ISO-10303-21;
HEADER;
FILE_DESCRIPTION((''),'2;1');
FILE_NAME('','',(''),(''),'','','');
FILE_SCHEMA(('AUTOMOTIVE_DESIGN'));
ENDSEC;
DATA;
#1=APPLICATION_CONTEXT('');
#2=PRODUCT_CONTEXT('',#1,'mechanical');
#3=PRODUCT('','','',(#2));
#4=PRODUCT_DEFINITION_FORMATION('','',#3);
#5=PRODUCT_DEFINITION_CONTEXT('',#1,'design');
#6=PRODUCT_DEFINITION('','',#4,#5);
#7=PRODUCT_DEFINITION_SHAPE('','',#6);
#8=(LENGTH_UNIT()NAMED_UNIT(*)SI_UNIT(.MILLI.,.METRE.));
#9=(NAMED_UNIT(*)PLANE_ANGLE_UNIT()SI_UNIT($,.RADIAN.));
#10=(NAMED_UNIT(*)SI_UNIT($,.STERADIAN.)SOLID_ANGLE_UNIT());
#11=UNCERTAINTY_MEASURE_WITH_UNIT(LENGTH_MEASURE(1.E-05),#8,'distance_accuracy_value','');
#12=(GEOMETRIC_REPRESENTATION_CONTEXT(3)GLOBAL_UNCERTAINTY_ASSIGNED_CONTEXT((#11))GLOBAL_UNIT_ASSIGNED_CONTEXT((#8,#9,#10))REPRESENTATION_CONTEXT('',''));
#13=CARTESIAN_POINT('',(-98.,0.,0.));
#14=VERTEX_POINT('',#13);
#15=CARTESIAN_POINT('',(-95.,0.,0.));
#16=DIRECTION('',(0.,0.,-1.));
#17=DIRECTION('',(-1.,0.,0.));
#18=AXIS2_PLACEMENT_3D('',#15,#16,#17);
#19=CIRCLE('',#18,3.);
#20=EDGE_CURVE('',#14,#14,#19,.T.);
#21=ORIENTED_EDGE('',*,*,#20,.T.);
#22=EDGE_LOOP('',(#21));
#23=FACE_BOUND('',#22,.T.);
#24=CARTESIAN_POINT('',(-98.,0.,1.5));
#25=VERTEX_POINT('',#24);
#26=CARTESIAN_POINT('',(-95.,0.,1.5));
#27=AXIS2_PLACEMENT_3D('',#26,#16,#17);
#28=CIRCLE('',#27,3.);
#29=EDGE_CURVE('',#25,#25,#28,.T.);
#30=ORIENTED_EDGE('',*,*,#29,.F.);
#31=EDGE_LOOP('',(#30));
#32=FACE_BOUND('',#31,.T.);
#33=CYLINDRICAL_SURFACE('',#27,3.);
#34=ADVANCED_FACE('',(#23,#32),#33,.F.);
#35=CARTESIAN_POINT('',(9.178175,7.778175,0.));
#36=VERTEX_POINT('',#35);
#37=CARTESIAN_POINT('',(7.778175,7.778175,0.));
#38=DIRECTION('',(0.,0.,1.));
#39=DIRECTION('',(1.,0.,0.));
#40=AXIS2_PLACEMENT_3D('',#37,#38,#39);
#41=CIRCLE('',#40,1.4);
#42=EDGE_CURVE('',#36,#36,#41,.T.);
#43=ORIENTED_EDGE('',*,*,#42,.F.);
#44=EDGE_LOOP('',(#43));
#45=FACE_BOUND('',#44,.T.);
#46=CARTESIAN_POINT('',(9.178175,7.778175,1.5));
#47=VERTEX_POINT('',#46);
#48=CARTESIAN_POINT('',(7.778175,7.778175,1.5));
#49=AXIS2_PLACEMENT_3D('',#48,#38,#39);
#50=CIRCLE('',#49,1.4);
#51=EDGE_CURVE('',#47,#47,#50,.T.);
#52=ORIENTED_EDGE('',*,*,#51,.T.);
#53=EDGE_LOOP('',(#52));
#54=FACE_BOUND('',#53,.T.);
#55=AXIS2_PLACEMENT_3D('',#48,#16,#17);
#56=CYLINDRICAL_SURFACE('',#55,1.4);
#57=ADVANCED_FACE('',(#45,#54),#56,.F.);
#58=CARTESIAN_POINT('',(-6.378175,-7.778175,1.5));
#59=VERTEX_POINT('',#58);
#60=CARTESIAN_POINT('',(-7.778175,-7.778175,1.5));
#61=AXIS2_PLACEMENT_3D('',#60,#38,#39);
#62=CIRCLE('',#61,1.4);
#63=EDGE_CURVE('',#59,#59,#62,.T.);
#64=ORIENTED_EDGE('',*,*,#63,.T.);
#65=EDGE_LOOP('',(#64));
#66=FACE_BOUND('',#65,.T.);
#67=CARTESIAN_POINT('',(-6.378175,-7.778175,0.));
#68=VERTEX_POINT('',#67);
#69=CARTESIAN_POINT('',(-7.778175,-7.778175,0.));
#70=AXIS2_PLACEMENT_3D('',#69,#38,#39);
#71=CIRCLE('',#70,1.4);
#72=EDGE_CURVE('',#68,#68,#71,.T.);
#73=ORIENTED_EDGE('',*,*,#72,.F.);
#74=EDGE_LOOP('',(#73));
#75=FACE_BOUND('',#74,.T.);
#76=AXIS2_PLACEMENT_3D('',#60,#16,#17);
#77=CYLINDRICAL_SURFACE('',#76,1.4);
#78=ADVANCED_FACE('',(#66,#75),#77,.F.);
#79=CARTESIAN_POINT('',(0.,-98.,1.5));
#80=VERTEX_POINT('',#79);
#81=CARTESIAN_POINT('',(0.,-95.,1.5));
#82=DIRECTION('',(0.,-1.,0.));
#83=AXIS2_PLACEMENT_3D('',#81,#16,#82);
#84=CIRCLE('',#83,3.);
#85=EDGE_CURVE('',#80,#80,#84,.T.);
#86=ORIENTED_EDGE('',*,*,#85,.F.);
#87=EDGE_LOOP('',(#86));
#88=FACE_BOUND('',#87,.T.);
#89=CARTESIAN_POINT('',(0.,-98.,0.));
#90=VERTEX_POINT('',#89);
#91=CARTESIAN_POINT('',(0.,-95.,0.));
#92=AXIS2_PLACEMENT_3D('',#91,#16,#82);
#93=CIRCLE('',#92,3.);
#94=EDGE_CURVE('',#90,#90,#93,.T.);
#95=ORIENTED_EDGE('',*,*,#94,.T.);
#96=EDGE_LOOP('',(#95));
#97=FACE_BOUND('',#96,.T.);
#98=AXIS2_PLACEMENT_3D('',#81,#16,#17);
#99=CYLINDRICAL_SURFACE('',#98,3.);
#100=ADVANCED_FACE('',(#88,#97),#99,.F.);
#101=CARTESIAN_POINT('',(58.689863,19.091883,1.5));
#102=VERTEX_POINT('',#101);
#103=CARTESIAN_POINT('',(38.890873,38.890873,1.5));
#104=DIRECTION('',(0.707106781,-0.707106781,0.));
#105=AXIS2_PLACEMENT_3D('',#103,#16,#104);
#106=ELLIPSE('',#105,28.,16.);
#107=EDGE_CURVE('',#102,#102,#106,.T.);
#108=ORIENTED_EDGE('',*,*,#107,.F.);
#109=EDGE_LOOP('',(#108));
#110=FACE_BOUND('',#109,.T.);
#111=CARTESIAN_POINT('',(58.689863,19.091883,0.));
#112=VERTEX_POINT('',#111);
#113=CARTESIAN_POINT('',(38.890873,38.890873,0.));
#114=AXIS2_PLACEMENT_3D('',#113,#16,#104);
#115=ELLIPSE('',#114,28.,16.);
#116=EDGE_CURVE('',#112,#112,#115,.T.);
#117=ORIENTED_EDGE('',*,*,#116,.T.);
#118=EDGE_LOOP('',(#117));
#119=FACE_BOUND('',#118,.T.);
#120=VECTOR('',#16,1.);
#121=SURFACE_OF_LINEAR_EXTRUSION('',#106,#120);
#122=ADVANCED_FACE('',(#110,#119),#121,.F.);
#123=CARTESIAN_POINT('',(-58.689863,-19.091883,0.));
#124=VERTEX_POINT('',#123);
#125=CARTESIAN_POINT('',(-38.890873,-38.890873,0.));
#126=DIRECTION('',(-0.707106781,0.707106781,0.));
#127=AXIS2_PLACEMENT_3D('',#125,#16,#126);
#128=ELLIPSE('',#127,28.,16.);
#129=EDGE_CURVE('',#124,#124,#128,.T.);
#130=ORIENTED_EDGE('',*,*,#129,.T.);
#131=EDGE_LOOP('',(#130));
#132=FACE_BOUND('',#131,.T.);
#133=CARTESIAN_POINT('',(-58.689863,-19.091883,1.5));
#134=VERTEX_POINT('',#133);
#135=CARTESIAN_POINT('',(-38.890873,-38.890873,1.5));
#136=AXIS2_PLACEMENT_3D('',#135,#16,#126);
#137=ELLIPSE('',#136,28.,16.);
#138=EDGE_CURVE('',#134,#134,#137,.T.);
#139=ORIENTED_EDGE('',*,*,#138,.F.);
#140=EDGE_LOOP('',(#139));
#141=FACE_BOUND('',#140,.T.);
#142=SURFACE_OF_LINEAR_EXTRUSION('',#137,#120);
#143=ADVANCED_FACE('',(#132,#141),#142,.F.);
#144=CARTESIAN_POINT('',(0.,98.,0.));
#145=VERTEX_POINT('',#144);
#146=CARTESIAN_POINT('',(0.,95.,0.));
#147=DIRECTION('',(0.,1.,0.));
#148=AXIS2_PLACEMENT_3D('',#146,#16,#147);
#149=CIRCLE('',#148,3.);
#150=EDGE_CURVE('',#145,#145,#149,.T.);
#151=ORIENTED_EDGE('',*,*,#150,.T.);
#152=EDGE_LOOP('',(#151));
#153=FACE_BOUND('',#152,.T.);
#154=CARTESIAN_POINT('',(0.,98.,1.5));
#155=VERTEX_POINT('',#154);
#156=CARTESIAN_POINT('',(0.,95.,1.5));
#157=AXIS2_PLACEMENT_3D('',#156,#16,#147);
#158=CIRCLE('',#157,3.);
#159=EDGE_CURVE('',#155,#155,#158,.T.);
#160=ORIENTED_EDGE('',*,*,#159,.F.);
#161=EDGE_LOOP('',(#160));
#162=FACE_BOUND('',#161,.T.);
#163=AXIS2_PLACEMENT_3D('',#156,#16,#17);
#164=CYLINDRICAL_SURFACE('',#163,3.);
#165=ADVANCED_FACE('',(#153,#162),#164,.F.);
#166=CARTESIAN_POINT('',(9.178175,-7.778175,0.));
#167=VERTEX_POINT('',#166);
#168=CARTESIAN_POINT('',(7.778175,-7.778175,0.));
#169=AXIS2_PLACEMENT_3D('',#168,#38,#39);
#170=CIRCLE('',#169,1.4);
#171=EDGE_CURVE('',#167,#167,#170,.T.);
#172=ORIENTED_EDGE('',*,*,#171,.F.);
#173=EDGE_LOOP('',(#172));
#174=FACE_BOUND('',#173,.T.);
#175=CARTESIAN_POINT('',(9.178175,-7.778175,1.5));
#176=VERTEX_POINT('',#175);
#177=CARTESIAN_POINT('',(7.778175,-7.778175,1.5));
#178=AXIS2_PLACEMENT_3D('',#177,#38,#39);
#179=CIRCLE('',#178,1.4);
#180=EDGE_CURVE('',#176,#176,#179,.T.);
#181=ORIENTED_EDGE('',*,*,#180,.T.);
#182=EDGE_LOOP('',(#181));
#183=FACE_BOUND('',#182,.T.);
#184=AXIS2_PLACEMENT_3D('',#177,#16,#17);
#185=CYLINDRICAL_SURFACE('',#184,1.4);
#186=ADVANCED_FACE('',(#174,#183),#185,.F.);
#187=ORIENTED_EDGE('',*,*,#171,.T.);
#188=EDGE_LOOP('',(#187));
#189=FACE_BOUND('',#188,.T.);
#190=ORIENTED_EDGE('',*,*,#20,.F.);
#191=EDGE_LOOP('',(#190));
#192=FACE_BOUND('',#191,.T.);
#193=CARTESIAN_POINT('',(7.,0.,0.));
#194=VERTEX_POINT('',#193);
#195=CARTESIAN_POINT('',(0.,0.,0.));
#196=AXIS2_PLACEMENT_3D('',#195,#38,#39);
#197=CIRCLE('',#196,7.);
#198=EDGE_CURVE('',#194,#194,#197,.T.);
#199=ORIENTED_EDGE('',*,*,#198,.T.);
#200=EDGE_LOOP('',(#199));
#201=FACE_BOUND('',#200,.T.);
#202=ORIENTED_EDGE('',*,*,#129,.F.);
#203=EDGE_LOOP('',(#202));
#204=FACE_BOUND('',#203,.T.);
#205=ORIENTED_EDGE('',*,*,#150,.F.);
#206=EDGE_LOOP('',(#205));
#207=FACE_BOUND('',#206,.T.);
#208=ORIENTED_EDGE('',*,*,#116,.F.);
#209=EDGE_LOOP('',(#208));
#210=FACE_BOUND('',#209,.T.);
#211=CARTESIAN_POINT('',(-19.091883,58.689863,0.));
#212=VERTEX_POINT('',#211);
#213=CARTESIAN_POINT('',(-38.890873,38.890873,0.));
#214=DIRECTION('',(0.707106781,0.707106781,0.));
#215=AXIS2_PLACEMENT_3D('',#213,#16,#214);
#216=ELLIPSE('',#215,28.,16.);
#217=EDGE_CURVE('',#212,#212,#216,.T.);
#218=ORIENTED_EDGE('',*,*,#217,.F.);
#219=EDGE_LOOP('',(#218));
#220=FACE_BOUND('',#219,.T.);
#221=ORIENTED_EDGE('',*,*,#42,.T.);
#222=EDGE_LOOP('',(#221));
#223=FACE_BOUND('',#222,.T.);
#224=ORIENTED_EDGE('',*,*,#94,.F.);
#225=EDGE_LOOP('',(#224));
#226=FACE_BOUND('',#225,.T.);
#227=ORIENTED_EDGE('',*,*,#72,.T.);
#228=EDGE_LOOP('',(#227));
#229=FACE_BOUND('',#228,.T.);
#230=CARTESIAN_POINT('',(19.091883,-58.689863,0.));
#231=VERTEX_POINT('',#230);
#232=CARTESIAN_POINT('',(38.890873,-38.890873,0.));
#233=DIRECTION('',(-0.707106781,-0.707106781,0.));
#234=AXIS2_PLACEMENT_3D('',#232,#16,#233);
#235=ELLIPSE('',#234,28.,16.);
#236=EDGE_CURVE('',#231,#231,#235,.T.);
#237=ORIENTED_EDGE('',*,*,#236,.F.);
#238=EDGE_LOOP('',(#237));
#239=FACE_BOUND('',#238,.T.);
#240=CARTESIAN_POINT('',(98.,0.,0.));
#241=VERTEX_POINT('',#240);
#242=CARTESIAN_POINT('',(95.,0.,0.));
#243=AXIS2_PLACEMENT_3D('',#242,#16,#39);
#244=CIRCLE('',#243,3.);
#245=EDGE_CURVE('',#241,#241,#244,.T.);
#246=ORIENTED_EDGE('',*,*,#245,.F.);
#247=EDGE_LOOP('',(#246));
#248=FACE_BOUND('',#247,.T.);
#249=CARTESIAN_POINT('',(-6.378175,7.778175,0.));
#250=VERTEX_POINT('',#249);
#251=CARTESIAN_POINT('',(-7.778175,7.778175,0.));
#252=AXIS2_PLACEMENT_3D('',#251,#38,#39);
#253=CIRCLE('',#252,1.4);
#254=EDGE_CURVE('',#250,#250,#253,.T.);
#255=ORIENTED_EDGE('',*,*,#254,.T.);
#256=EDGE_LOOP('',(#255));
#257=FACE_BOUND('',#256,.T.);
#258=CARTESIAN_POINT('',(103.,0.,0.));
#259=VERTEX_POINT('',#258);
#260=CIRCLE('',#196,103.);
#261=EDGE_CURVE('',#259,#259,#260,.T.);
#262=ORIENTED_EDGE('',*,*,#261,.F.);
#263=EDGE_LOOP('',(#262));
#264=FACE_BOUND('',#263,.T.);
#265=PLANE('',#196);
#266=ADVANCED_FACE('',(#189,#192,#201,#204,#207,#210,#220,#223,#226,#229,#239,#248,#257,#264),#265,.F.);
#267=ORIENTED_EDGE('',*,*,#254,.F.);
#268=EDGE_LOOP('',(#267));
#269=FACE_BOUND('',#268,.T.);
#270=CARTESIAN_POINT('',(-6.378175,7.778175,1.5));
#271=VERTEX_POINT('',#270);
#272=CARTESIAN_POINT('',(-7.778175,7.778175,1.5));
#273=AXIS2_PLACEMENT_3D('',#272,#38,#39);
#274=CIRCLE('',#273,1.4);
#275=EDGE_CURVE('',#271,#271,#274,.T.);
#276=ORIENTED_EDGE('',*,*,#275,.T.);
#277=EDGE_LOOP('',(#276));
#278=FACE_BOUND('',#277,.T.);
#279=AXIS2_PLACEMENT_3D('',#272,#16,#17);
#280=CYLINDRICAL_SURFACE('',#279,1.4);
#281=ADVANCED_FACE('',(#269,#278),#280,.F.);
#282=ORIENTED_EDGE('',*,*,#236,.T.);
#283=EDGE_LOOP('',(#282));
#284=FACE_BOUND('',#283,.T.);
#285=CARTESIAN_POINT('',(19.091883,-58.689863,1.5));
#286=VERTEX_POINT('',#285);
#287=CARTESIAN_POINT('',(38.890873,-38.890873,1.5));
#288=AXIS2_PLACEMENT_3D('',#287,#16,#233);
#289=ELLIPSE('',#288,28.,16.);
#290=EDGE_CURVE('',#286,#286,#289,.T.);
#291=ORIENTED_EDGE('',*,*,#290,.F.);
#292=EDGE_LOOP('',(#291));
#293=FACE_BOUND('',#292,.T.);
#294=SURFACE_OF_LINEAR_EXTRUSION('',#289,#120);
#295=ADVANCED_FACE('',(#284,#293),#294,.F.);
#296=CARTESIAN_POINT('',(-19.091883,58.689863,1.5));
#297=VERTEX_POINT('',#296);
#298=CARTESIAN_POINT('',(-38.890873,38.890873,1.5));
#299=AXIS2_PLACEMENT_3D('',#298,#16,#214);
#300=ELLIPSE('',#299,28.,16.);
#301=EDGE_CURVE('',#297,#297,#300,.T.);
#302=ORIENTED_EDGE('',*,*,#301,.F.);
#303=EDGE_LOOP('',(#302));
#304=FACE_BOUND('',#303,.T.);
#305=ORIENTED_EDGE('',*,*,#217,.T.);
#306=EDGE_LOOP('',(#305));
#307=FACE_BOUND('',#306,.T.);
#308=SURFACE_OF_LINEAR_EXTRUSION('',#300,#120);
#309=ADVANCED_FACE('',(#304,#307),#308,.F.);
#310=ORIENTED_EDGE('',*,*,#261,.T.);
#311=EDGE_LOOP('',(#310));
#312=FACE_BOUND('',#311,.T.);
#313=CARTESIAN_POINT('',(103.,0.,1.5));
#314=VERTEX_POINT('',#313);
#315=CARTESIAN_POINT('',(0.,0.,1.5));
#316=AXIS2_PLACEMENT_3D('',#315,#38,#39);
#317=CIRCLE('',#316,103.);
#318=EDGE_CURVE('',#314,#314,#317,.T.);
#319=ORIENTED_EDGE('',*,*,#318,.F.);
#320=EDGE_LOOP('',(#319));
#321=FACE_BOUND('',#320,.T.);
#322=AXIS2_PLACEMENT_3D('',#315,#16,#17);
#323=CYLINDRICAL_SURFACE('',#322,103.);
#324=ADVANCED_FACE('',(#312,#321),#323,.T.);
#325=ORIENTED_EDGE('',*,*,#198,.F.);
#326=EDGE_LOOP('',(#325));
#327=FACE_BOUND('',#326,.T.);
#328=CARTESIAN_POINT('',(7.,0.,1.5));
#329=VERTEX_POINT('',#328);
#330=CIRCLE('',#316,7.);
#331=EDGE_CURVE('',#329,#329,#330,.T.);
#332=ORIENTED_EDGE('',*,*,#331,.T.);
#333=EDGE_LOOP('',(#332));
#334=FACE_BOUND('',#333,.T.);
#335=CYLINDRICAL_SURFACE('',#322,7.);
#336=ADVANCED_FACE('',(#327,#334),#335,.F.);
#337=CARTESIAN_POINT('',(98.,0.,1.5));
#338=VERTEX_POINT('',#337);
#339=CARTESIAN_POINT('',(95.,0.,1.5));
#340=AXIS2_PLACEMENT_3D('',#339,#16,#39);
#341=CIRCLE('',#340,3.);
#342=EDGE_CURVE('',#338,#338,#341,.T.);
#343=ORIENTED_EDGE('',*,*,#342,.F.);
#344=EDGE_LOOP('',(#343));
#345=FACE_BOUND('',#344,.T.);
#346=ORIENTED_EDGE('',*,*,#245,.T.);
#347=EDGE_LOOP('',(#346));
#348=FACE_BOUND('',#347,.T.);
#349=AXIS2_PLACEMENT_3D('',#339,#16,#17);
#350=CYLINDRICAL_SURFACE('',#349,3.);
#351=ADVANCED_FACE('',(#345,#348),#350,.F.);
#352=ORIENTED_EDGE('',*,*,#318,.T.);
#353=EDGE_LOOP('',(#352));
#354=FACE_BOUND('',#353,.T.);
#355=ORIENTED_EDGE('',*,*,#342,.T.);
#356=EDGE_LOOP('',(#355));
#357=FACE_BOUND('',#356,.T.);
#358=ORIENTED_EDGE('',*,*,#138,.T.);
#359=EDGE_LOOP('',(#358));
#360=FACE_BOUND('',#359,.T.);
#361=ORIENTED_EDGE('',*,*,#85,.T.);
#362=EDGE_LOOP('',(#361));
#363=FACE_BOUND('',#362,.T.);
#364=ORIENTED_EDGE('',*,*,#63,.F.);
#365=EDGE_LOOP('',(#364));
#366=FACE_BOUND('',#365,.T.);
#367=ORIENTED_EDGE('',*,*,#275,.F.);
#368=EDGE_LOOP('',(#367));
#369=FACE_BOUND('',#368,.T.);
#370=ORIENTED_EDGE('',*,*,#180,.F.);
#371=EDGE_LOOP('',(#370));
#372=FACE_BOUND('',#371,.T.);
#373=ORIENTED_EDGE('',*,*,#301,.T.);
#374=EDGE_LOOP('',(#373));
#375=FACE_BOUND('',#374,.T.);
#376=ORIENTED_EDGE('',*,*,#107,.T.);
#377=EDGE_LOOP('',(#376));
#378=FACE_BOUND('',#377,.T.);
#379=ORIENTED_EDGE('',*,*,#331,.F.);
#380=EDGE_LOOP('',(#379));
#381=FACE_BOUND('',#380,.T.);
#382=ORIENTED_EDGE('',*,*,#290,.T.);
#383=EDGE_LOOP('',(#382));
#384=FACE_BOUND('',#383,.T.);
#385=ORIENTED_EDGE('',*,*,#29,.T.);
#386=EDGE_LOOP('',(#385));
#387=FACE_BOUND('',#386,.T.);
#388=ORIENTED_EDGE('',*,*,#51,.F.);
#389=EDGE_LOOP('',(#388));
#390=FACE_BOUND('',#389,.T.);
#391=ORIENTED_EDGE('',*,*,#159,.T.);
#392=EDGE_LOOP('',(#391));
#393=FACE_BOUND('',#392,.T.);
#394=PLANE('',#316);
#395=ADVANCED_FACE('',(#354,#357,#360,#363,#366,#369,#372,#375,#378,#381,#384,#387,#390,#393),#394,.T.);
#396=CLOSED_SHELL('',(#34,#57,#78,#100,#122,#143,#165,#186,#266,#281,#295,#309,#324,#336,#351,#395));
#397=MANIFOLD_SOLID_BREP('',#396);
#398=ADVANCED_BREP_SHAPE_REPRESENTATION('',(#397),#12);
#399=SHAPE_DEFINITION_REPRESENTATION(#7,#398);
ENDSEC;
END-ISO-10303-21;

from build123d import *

# Parameters (mm, degrees)
SKETCH1_R                        = 103
BASE_DISC_DEPTH                  = 1.5
SKETCH3_R                        = 3
CUT_EXTRUDE1_DEPTH               = 146.671719973
SKETCH4_RX                       = 28
SKETCH4_RY                       = 16
CUT_EXTRUDE2_DEPTH               = 146.671719973
SKETCH2_R                        = 7.5
CUT_EXTRUDE3_DEPTH               = 146.671720116
CIRPATTERN3_COUNT                = 4
CIRPATTERN4_COUNT                = 4
SKETCH5_R                        = 1.4
CUT_EXTRUDE4_DEPTH               = 146.671720116
SKETCH6_R                        = 7.51
SKETCH6_R_2                      = 7
CENTRE_BORE_CORRECTION_D14_DEPTH = 1.5


with BuildPart() as part:
    # Sketch1 → Base Disc (new body)
    with BuildSketch(Plane.XY):
        Circle(SKETCH1_R)
    extrude(amount=BASE_DISC_DEPTH)

    # Sketch3 → Cut-Extrude1 (cut, through all)
    with BuildSketch(Plane(origin=(0, 0, 0), x_dir=(-1, 0, 0), z_dir=(0, 0, -1))):
        with Locations((95, 0)):
            Circle(SKETCH3_R)
    cut_extrude1 = extrude(amount=-CUT_EXTRUDE1_DEPTH, mode=Mode.SUBTRACT)

    # Sketch4 → Cut-Extrude2 (cut, through all)
    with BuildSketch(Plane(origin=(0, 0, 0), x_dir=(-1, 0, 0), z_dir=(0, 0, -1))):
        with Locations(Location((38.890872965, 38.890872965), (0, 0, 135))):
            Ellipse(SKETCH4_RX, SKETCH4_RY)
    cut_extrude2 = extrude(amount=-CUT_EXTRUDE2_DEPTH, mode=Mode.SUBTRACT)

    # Sketch2 → Cut-Extrude3 (cut, through all)
    with BuildSketch(Plane(origin=(0, 0, 0), x_dir=(-1, 0, 0), z_dir=(0, 0, -1))):
        Circle(SKETCH2_R)
    extrude(amount=-CUT_EXTRUDE3_DEPTH, mode=Mode.SUBTRACT)

    # CirPattern3: Cut-Extrude1 ×4 about axis
    cirpattern3_axis = Axis((0, 0, 0), (0, 0, 1))
    for i in range(1, CIRPATTERN3_COUNT):
        add(cut_extrude1.rotate(cirpattern3_axis, i * 360 / CIRPATTERN3_COUNT), mode=Mode.SUBTRACT)

    # CirPattern4: Cut-Extrude2 ×4 about axis
    cirpattern4_axis = Axis((0, 0, 0), (0, 0, -1))
    for i in range(1, CIRPATTERN4_COUNT):
        add(cut_extrude2.rotate(cirpattern4_axis, i * 360 / CIRPATTERN4_COUNT), mode=Mode.SUBTRACT)

    # Sketch5 → Cut-Extrude4 (cut, through all)
    with BuildSketch(Plane.XY):
        with Locations((-7.778174593, -7.778174593)):
            Circle(SKETCH5_R)
        with Locations((-7.778174593, 7.778174593)):
            Circle(SKETCH5_R)
        with Locations((7.778174593, 7.778174593)):
            Circle(SKETCH5_R)
        with Locations((7.778174593, -7.778174593)):
            Circle(SKETCH5_R)
    extrude(amount=CUT_EXTRUDE4_DEPTH, mode=Mode.SUBTRACT)

    # Sketch6 → Centre_Bore_Correction_D14 (add)
    with BuildSketch(Plane.XY):
        Circle(SKETCH6_R)
        Circle(SKETCH6_R_2, mode=Mode.SUBTRACT)
    extrude(amount=CENTRE_BORE_CORRECTION_D14_DEPTH)


solid = part.part
